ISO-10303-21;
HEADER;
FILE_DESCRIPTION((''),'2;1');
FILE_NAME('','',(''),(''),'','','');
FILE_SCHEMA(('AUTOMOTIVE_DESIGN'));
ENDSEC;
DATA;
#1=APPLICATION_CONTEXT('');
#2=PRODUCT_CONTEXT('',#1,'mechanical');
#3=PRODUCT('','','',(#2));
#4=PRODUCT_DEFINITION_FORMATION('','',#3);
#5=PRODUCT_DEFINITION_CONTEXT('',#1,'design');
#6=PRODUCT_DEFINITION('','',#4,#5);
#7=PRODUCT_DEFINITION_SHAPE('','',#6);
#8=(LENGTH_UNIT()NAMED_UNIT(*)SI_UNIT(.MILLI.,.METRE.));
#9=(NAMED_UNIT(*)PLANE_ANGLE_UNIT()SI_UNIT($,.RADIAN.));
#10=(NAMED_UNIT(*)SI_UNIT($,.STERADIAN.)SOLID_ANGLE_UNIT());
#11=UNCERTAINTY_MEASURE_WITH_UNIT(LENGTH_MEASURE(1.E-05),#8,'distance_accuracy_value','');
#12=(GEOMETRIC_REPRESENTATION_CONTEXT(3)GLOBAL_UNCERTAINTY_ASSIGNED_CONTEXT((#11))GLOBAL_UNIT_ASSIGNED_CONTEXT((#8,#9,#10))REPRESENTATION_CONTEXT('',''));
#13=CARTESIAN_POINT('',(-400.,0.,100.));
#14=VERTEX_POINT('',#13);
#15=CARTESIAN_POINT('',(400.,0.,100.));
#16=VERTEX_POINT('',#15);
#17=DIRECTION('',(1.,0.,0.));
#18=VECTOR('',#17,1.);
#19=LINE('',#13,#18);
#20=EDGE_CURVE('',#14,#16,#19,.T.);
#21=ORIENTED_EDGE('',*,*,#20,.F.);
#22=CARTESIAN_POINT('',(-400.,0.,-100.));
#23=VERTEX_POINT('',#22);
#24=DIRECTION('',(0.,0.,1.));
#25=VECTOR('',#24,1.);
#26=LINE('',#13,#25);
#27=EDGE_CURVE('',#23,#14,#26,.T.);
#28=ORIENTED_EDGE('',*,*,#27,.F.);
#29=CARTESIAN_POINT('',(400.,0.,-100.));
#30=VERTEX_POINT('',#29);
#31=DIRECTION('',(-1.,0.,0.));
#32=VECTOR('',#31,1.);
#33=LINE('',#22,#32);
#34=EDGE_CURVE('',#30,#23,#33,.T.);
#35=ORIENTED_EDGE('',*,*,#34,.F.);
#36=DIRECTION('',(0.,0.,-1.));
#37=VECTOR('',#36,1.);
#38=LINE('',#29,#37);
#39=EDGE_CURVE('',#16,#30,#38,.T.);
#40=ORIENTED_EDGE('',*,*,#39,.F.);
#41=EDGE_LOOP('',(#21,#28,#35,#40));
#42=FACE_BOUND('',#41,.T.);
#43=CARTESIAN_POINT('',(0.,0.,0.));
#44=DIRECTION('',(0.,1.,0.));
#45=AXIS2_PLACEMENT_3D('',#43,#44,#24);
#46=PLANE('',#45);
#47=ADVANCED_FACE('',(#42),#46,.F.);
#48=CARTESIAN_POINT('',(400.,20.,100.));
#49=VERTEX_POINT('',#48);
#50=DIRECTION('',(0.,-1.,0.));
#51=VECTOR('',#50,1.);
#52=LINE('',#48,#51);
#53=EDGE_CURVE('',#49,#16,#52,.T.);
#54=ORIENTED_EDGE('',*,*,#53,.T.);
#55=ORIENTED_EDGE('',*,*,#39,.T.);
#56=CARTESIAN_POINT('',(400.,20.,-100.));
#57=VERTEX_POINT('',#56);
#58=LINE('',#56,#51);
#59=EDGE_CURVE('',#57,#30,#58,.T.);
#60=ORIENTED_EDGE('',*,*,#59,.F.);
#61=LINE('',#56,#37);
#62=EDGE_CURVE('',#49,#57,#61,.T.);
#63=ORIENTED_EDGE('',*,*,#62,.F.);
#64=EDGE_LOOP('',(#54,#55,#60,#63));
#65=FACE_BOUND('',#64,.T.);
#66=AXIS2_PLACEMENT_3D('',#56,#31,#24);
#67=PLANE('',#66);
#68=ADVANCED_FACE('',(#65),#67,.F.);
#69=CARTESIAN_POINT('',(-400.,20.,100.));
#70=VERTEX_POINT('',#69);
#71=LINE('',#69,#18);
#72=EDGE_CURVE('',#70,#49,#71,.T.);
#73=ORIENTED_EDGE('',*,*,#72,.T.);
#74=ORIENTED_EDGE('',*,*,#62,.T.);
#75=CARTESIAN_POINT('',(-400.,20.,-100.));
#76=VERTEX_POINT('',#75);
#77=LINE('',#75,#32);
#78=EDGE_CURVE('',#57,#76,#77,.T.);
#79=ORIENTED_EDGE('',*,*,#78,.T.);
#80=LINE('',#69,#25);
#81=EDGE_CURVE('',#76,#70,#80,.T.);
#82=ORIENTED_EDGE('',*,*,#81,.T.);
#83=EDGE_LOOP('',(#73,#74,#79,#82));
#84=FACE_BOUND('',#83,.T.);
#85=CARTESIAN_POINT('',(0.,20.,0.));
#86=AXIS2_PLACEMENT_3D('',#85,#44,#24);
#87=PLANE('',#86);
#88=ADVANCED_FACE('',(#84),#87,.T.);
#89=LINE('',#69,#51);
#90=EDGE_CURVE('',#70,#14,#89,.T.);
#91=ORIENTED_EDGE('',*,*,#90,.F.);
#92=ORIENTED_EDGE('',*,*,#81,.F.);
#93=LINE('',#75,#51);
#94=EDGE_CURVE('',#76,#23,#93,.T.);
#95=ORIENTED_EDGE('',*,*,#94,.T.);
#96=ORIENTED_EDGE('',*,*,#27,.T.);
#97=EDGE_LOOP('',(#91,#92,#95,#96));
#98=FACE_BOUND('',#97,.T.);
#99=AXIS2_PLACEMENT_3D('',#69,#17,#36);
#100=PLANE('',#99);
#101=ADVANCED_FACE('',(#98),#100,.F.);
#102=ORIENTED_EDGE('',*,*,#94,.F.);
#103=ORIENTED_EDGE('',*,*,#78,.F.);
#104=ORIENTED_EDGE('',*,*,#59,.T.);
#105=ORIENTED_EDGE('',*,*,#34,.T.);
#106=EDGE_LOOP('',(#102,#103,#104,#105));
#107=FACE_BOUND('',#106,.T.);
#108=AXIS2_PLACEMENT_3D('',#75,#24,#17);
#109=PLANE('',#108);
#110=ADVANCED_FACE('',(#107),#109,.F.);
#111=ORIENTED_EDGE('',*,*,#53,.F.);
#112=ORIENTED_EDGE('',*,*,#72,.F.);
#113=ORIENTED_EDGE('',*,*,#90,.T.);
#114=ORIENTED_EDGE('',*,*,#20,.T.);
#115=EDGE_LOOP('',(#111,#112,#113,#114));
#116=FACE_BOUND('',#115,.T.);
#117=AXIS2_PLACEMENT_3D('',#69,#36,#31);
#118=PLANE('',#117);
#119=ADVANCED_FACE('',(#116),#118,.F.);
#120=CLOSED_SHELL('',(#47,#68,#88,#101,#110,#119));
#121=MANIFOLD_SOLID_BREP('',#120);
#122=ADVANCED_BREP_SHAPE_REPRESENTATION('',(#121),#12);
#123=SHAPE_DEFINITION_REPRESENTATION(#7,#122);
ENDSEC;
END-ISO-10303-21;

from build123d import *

# Parameters (mm, degrees)
SKETCH_2_W      = 800
SKETCH_2_H      = 200
EXTRUDE_1_DEPTH = 20


with BuildPart() as part:
    # Эскиз2 → Бобышка-Вытянуть1 (new body)
    with BuildSketch(Plane(origin=(0, 0, 0), x_dir=(1, 0, 0), z_dir=(0, 1, 0))):
        Rectangle(SKETCH_2_W, SKETCH_2_H)
    extrude(amount=EXTRUDE_1_DEPTH)


solid = part.part
